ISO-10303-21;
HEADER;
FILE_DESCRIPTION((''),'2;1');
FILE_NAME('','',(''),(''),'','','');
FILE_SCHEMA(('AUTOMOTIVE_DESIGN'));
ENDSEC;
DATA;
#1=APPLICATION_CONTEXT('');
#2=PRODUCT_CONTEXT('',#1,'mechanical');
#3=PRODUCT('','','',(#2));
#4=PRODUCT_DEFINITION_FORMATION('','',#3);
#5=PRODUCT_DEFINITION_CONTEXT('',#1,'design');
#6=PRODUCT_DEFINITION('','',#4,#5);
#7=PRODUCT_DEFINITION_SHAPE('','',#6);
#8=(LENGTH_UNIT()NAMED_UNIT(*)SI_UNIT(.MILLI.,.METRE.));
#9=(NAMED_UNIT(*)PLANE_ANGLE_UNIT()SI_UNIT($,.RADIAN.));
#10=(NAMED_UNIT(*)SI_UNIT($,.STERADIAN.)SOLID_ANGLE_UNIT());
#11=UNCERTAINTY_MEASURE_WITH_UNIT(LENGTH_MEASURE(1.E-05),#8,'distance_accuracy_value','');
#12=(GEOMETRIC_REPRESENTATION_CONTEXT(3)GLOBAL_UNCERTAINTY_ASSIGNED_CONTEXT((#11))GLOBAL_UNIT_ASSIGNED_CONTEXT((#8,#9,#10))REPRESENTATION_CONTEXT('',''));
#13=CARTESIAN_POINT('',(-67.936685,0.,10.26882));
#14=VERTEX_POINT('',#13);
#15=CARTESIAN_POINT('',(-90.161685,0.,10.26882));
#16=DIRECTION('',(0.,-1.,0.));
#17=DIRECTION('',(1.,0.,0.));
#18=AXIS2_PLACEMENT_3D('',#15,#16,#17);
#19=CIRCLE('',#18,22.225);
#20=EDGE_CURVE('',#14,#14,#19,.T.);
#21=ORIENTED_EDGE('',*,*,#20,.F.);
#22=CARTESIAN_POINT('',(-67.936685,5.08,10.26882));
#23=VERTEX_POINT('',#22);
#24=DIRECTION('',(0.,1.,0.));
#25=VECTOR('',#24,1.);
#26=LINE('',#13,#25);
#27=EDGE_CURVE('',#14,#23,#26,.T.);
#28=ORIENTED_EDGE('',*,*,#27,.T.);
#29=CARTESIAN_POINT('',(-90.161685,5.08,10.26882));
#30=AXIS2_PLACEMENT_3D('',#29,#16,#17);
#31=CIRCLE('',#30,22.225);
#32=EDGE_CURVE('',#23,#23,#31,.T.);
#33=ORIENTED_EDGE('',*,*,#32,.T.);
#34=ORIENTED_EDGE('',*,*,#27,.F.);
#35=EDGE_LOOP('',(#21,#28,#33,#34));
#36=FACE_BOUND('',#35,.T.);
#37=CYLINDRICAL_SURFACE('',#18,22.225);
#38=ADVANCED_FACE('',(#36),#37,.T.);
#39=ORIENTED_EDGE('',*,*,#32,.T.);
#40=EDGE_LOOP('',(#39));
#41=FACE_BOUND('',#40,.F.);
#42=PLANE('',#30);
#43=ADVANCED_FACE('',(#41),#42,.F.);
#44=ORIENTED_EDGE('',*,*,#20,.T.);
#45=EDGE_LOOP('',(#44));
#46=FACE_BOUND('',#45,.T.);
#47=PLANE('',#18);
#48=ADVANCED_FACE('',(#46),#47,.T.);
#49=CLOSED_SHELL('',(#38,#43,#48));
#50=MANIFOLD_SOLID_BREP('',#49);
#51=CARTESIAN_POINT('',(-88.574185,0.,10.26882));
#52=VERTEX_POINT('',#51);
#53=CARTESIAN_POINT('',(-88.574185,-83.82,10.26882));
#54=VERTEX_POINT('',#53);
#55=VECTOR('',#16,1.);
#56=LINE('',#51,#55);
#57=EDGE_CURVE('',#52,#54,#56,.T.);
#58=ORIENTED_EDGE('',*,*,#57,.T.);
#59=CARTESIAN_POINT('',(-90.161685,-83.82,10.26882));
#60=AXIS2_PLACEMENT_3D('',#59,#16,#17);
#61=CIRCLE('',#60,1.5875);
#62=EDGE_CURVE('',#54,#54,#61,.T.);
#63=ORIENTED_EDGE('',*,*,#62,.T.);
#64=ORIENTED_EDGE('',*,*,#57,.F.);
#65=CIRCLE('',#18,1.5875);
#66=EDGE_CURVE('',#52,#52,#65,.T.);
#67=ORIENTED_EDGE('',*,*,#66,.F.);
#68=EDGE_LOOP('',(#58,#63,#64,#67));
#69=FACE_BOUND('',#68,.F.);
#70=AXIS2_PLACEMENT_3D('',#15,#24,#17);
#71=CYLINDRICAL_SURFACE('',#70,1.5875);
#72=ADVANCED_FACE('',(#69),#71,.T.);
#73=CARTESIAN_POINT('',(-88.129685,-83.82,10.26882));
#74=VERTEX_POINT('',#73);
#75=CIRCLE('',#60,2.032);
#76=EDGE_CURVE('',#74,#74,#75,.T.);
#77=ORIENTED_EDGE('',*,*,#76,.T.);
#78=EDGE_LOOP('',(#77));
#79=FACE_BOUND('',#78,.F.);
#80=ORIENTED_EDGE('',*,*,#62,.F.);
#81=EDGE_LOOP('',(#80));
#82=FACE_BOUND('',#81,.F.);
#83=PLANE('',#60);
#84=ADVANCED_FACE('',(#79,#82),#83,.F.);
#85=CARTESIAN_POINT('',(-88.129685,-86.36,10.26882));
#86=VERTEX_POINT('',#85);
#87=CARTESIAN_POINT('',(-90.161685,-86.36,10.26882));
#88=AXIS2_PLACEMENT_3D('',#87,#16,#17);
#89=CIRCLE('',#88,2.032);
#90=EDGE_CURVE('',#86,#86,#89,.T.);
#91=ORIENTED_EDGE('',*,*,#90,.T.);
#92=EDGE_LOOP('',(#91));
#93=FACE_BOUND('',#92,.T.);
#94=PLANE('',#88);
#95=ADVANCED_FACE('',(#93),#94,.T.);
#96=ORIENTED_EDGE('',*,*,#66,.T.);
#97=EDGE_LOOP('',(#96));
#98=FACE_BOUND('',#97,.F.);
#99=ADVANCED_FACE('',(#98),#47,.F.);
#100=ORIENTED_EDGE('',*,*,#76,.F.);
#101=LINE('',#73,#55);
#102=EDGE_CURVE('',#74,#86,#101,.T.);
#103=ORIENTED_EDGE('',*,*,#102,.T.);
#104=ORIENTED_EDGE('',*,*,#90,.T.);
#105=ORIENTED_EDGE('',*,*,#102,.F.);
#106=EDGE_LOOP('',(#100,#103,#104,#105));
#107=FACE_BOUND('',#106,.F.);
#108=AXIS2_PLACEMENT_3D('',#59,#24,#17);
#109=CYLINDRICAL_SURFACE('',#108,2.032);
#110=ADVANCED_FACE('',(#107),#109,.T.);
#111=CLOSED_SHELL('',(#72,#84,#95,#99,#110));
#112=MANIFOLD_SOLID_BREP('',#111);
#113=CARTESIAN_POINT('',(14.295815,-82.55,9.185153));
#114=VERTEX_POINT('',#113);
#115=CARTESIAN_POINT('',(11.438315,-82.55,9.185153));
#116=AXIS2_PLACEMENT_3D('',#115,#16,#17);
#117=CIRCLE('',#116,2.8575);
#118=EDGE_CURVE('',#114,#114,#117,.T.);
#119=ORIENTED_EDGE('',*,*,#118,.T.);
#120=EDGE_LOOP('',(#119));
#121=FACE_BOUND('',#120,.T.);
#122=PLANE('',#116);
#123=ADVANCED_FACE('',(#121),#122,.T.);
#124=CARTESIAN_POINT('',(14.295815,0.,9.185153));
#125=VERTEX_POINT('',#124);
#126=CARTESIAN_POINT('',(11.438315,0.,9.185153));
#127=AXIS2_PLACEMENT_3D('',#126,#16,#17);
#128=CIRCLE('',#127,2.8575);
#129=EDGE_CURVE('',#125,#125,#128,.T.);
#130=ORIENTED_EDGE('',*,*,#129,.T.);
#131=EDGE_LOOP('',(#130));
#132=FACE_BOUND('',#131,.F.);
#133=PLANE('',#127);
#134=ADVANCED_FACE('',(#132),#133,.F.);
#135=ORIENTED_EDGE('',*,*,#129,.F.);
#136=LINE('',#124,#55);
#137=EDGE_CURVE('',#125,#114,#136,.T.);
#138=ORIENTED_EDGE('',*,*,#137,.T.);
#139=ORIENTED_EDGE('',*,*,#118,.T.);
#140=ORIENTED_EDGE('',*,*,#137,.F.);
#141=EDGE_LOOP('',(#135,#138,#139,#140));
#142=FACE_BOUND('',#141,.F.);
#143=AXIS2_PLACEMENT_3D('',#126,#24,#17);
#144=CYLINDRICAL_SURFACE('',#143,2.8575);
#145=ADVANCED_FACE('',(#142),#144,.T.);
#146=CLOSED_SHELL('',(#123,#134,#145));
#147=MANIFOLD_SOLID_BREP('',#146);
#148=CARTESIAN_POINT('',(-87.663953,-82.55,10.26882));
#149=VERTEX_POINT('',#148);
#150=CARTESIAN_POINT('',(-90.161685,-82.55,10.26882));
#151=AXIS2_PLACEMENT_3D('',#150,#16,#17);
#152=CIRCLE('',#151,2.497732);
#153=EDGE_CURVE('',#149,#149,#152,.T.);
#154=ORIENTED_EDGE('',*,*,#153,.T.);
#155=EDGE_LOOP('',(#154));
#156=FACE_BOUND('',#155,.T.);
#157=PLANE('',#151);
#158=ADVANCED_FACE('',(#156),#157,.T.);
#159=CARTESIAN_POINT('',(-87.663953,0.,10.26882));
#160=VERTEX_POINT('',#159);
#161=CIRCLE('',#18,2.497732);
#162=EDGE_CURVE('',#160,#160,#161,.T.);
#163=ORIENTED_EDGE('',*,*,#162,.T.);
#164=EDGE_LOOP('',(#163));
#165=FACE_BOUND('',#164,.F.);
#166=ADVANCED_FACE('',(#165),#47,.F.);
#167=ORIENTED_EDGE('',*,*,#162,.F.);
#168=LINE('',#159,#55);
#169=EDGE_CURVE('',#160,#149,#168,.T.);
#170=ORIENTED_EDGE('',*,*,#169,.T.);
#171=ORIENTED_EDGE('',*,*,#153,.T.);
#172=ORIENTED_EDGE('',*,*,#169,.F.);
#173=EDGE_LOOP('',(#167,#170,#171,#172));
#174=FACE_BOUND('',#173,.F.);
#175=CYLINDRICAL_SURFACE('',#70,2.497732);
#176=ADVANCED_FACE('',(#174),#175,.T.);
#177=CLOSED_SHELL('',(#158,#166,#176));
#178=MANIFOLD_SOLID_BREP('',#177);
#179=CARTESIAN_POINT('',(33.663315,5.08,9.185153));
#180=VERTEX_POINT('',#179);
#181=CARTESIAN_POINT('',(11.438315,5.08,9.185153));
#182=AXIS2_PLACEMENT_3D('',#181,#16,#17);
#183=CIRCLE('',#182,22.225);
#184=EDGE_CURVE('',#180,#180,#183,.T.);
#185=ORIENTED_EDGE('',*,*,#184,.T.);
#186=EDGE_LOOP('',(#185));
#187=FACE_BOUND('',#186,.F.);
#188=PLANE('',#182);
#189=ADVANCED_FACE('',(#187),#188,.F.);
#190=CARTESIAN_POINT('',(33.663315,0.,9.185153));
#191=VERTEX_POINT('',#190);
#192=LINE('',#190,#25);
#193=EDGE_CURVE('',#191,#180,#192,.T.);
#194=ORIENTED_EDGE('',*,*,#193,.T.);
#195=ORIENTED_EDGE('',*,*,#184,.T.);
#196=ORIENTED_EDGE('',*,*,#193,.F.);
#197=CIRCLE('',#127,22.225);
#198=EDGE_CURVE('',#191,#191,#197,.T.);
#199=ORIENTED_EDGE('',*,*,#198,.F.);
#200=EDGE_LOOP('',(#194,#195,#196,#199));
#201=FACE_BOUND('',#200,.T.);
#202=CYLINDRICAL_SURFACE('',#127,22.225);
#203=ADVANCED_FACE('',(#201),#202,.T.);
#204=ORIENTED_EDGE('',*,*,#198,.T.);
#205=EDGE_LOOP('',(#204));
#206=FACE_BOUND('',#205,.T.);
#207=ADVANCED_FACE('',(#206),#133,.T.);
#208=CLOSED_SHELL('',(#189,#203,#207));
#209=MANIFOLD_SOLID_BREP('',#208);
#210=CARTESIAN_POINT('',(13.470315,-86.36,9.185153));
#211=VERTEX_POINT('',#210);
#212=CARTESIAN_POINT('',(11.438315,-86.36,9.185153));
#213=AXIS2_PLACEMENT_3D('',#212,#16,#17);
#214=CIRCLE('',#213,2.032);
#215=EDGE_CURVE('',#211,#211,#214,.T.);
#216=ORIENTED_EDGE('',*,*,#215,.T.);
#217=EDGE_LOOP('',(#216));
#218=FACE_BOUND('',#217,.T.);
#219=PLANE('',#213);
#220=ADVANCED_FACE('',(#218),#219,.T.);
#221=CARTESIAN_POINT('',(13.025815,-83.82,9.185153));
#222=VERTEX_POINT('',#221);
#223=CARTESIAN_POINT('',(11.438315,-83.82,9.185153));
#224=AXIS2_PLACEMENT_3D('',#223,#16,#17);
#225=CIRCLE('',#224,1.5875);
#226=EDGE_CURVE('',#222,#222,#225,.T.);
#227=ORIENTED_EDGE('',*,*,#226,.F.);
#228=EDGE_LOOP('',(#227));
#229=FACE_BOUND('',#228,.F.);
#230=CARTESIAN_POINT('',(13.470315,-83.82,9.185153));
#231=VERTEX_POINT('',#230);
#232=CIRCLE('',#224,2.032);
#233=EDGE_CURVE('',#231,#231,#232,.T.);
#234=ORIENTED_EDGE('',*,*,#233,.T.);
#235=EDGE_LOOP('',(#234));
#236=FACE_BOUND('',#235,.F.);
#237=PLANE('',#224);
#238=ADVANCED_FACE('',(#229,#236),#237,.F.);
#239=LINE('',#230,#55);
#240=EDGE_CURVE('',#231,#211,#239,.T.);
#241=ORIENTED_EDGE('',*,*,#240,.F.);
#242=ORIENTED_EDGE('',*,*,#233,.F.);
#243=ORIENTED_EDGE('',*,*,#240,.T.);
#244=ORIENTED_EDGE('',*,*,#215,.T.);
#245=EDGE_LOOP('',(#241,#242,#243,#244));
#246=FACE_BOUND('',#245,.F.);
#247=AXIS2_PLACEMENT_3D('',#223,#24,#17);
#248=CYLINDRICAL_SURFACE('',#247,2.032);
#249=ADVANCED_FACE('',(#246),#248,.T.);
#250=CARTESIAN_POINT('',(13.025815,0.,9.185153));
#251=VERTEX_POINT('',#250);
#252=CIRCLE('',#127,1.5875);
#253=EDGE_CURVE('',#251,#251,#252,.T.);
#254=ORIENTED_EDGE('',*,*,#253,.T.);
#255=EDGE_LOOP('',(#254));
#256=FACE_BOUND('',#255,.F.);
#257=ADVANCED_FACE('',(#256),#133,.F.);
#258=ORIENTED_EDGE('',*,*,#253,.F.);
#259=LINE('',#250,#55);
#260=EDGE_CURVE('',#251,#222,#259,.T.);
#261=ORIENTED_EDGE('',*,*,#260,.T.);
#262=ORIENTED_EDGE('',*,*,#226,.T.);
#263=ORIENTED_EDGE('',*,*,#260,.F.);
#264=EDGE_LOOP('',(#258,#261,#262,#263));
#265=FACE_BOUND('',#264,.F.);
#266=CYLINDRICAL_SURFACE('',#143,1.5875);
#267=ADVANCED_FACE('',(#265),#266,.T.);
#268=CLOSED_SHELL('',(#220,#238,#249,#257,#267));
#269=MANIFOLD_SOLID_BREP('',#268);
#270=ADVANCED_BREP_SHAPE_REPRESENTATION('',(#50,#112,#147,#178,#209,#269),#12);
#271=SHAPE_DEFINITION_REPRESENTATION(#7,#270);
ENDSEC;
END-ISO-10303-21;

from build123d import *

# Parameters (mm, degrees)
F0_R     = 2.497732
F0_R_2   = 2.8575
F1_DEPTH = 82.55
F2_R     = 22.225
F3_DEPTH = 5.08
F4_R     = 1.5875
F5_DEPTH = 83.82
F6_R     = 2.032
F7_DEPTH = 2.54
F8_R     = 2.032
F9_DEPTH = 2.54


with BuildPart() as f1:
    # F0 (on Front) → F1 (new body)
    with BuildSketch(Plane.XZ):
        with Locations((-90.161685, 10.26882)):
            Circle(F0_R)
        with Locations((11.438315, 9.185153)):
            Circle(F0_R_2)
    extrude(amount=F1_DEPTH)


with BuildPart() as f3:
    # F2 (on Front) → F3 (new body)
    with BuildSketch(Plane.XZ):
        with Locations((11.438315, 9.185153)):
            Circle(F2_R)
        with Locations((-90.161685, 10.26882)):
            Circle(F2_R)
    extrude(amount=-F3_DEPTH)


with BuildPart() as f5:
    # F4 (on Front) → F5 (new body)
    with BuildSketch(Plane.XZ):
        with Locations((-90.161685, 10.26882)):
            Circle(F4_R)
        with Locations((11.438315, 9.185153)):
            Circle(F4_R)
    extrude(amount=F5_DEPTH)

    # F6 (on face) → F7 (join)
    with BuildSketch(Plane.XZ.offset(83.82)):
        with Locations((-90.161685, 10.26882)):
            Circle(F6_R)
    extrude(amount=F7_DEPTH)

    # F8 (on face) → F9 (join)
    with BuildSketch(Plane.XZ.offset(83.82)):
        with Locations((11.438315, 9.185153)):
            Circle(F8_R)
    extrude(amount=F9_DEPTH)


solid = Compound([f1.part, f3.part, f5.part])
